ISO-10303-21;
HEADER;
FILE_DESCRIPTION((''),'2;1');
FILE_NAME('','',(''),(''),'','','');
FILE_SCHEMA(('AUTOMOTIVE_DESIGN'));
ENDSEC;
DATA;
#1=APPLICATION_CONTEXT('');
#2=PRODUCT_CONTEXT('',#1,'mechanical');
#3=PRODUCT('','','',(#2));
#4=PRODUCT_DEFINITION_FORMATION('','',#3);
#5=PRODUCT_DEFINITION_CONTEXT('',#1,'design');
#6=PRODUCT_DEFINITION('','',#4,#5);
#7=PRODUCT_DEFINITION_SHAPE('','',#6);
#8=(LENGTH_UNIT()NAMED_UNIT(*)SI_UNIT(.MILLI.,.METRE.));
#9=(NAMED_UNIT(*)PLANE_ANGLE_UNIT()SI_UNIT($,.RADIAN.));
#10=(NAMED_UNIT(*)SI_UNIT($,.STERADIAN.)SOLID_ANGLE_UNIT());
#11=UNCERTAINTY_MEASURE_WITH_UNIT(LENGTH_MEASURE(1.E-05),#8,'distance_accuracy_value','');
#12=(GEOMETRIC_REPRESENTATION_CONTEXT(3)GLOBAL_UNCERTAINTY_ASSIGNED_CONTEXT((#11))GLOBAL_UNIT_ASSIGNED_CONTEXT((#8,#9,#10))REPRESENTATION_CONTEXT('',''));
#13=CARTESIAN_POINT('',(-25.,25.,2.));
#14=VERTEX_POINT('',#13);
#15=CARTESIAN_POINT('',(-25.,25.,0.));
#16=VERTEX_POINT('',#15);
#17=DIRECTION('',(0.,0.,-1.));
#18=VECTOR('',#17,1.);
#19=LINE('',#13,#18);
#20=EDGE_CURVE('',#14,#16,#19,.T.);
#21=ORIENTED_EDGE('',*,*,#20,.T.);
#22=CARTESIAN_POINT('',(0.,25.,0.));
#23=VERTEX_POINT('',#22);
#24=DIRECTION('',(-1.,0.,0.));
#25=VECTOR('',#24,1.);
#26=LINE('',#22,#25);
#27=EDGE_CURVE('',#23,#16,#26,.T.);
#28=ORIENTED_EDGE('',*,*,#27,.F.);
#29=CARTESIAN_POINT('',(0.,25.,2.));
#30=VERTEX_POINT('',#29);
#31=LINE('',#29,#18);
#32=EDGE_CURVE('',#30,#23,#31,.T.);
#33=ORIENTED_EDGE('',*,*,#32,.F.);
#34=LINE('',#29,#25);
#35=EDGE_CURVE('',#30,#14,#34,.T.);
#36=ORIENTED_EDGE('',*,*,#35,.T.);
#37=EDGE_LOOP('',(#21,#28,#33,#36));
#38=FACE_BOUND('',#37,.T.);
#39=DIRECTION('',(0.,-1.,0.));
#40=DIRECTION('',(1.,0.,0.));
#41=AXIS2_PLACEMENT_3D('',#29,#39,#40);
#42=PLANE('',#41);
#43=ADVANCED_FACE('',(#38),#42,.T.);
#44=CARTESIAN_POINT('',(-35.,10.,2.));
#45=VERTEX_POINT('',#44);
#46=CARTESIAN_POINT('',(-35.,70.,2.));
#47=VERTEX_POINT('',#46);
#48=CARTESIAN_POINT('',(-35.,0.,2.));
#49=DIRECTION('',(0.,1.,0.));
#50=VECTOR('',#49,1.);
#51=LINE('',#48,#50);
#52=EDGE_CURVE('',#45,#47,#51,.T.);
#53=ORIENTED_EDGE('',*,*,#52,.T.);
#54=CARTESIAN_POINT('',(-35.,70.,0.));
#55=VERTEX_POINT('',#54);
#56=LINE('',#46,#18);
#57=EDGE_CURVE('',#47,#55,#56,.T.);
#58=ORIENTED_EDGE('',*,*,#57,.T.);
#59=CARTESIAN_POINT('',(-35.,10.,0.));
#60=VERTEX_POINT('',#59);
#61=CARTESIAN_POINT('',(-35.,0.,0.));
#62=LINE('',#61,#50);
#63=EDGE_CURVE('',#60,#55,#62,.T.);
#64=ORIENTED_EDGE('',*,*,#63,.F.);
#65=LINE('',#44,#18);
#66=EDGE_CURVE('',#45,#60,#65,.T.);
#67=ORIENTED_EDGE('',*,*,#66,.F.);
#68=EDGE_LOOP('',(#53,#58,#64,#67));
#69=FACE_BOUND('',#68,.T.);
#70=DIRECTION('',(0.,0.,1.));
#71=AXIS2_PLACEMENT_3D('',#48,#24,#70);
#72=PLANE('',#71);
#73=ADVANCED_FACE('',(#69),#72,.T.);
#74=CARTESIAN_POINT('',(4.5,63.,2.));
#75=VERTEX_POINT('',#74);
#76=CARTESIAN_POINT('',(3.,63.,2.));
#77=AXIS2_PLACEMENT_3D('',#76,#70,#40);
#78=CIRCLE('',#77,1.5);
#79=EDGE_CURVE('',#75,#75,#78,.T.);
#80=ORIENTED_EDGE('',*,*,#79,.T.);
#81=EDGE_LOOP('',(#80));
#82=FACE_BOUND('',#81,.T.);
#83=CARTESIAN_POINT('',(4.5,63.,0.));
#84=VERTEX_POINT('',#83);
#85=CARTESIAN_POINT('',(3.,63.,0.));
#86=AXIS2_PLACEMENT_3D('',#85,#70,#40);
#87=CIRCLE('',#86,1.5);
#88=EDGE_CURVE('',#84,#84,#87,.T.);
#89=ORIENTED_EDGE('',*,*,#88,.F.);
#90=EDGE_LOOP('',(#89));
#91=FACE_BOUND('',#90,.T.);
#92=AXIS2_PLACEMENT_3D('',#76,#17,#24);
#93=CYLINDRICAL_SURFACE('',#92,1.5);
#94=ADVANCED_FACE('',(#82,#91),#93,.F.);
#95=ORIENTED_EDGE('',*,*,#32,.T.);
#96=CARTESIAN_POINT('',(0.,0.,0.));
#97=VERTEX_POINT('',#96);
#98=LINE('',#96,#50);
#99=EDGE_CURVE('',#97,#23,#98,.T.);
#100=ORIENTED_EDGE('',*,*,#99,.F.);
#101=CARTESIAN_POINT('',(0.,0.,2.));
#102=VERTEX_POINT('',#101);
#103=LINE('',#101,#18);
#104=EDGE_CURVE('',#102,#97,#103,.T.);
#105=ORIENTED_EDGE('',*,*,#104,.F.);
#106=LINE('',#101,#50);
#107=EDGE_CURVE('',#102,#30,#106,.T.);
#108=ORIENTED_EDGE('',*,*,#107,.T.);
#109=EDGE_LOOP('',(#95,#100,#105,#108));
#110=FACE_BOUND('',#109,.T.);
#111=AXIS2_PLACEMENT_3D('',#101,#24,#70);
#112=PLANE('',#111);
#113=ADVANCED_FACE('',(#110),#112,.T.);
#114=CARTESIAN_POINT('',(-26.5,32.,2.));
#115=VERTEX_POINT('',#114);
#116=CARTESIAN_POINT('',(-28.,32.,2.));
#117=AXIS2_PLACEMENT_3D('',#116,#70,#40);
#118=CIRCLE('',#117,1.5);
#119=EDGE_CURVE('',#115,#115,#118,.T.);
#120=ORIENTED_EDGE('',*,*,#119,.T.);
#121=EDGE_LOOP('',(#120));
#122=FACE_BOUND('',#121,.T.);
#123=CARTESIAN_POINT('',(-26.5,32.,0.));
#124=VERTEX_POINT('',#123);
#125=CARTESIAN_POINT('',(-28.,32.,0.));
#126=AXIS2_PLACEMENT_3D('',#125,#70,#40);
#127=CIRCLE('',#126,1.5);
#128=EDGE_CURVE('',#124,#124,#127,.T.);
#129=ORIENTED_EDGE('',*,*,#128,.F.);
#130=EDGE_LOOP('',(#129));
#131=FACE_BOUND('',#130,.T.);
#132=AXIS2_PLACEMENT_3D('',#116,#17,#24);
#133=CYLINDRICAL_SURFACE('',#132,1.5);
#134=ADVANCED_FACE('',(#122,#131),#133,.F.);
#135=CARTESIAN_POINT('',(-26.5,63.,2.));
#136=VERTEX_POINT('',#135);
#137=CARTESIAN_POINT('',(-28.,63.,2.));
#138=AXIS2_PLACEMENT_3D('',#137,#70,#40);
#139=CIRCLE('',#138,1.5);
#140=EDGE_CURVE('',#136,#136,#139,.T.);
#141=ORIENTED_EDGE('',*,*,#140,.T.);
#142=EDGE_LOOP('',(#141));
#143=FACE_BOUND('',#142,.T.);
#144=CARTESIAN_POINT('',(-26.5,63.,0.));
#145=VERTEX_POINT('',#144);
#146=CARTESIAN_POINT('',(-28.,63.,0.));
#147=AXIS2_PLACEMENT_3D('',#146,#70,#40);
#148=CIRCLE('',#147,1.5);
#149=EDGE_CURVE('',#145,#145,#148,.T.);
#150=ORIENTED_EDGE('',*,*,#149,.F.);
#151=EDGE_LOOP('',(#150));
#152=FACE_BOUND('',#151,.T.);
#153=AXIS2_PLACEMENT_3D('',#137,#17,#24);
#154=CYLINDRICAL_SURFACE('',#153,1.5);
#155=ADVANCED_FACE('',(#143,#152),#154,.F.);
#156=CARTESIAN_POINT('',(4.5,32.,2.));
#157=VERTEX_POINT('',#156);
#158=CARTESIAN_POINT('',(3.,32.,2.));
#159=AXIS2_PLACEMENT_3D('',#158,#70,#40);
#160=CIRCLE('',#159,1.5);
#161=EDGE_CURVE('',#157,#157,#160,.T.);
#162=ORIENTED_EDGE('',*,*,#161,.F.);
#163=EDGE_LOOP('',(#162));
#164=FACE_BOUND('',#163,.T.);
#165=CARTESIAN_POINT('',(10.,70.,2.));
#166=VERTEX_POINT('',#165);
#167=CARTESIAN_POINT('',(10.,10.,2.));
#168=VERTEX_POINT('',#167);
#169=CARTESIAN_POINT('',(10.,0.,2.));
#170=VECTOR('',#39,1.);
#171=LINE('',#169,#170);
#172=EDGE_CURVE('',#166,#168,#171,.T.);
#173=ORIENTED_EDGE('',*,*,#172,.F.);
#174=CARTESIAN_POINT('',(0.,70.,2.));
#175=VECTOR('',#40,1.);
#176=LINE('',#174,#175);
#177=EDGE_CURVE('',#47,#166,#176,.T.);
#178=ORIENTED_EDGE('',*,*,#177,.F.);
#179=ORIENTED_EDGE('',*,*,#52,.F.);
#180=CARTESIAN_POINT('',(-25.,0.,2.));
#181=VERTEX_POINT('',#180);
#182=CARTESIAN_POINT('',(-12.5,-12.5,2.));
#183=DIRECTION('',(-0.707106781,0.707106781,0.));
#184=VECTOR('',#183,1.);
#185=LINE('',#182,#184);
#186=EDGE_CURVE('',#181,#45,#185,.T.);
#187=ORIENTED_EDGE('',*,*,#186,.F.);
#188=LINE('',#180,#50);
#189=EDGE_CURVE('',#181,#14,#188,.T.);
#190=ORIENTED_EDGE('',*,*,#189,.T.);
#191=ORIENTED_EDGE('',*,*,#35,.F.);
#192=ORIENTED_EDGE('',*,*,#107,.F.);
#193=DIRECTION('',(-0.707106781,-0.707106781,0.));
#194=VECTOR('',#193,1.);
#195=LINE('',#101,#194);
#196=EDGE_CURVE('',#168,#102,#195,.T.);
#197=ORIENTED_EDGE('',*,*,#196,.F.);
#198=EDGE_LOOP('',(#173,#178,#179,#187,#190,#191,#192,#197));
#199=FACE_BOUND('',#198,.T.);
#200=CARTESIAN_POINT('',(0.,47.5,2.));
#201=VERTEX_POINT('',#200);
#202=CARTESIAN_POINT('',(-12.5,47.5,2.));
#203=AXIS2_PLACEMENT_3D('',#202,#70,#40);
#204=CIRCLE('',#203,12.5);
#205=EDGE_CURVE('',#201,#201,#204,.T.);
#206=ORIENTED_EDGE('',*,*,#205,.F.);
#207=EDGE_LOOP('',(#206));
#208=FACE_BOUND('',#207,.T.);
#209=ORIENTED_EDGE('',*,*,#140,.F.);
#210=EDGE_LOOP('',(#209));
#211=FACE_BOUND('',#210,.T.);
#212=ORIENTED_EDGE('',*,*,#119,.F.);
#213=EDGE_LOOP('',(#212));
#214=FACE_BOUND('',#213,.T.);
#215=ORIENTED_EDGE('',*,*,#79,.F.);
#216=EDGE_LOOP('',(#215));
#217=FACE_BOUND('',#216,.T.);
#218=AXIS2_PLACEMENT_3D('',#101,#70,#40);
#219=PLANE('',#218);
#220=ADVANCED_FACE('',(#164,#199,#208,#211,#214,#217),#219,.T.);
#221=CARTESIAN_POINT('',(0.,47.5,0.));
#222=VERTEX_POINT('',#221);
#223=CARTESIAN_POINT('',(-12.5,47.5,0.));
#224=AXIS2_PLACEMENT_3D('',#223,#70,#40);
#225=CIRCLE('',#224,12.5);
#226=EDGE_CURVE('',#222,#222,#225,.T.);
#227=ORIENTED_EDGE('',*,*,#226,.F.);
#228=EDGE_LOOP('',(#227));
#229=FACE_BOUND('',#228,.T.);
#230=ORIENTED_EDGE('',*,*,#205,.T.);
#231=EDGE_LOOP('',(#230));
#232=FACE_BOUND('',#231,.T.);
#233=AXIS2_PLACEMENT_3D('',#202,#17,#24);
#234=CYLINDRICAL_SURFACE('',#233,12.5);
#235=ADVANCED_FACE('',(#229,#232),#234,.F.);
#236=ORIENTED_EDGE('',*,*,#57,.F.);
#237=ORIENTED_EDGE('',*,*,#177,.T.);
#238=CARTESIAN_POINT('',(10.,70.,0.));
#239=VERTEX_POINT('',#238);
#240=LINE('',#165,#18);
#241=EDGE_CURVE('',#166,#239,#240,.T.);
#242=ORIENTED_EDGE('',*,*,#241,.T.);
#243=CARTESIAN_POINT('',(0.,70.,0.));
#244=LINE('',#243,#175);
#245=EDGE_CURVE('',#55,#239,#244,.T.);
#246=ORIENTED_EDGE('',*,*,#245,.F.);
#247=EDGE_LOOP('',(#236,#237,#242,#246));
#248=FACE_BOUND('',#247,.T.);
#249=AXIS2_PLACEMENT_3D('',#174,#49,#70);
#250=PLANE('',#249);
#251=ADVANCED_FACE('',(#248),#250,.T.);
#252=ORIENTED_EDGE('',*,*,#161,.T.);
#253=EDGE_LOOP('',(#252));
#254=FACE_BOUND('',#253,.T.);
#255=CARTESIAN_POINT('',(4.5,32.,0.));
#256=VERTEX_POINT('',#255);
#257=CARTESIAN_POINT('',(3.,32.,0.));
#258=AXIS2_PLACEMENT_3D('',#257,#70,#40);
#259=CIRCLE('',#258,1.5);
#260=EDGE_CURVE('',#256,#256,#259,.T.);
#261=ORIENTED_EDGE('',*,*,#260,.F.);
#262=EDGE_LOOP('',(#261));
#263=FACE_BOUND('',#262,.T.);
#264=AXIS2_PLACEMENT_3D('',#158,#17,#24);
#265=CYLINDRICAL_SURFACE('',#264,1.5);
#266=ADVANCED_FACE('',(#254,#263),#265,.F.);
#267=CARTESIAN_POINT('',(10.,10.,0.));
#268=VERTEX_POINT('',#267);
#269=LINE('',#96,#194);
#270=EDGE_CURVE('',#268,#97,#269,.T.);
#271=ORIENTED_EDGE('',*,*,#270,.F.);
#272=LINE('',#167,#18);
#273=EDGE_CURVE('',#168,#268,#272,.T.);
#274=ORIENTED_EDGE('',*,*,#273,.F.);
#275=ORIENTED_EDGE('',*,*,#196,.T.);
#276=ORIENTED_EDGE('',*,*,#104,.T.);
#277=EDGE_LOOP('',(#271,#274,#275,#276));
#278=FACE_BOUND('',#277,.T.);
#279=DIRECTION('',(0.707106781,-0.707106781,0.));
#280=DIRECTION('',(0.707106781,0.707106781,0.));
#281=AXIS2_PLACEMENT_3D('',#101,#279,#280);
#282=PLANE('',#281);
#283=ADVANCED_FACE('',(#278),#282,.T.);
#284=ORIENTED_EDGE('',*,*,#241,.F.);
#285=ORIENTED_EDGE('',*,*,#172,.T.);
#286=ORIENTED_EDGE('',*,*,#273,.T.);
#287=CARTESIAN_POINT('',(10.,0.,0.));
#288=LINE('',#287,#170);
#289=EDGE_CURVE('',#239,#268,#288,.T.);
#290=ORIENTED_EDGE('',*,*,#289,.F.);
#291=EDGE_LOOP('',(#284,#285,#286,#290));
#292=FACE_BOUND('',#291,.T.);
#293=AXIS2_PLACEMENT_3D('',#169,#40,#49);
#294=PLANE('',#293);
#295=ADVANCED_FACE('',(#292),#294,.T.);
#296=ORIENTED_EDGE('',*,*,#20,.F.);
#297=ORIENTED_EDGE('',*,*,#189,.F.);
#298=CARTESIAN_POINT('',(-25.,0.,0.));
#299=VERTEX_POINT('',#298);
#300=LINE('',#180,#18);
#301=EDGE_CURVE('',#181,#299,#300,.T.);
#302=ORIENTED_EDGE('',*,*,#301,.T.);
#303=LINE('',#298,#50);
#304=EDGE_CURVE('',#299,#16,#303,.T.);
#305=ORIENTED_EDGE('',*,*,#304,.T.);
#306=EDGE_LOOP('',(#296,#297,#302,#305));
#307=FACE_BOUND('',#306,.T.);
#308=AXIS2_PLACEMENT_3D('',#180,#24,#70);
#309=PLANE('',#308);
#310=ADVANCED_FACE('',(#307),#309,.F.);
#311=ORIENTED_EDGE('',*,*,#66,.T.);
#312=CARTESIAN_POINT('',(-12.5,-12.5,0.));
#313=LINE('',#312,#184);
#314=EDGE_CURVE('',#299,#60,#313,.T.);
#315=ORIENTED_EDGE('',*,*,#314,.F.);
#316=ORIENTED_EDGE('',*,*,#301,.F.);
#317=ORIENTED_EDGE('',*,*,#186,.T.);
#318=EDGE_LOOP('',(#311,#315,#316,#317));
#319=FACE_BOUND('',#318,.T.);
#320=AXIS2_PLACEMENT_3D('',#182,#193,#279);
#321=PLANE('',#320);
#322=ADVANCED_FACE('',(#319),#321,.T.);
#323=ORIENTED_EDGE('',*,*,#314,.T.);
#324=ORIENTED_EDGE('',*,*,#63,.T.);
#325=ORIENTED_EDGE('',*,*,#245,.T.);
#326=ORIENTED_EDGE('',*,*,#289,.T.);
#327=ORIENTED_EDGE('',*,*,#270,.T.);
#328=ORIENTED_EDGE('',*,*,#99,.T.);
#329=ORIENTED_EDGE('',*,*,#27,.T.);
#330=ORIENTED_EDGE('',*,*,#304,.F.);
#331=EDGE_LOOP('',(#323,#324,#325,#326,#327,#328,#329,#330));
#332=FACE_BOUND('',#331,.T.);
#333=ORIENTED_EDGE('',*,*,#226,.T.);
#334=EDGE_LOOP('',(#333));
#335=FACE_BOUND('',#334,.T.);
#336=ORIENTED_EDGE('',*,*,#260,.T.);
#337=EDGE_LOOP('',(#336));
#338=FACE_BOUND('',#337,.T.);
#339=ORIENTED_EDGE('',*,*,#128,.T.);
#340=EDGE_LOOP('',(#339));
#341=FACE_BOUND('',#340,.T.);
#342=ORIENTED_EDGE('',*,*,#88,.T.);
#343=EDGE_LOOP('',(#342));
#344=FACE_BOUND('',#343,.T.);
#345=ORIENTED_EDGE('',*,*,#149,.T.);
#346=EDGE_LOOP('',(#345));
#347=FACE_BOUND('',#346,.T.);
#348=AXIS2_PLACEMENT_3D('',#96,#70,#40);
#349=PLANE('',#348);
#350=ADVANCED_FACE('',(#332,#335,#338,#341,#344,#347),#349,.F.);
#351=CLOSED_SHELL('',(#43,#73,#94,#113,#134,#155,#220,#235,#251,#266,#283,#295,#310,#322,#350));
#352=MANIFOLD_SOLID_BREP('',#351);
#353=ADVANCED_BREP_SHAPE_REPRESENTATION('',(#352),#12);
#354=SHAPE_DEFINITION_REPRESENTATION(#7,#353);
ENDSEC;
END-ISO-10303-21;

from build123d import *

# Parameters (mm, degrees)
ESQUISSE1_R        = 1.5
ESQUISSE1_R_2      = 12.5
BOSS_EXTRU_1_DEPTH = 2


with BuildPart() as part:
    # Esquisse1 → Boss.-Extru.1 (new body)
    with BuildSketch(Plane.XY):
        Polygon((-35, 10), (-35, 70), (10, 70), (10, 10), (0, 0), (0, 25), (-25, 25), (-25, 0), align=None)
        with Locations((-28, 32)):
            Circle(ESQUISSE1_R, mode=Mode.SUBTRACT)
        with Locations((3, 32)):
            Circle(ESQUISSE1_R, mode=Mode.SUBTRACT)
        with Locations((3, 63)):
            Circle(ESQUISSE1_R, mode=Mode.SUBTRACT)
        with Locations((-28, 63)):
            Circle(ESQUISSE1_R, mode=Mode.SUBTRACT)
        with Locations((-12.5, 47.5)):
            Circle(ESQUISSE1_R_2, mode=Mode.SUBTRACT)
    extrude(amount=BOSS_EXTRU_1_DEPTH)


solid = part.part
